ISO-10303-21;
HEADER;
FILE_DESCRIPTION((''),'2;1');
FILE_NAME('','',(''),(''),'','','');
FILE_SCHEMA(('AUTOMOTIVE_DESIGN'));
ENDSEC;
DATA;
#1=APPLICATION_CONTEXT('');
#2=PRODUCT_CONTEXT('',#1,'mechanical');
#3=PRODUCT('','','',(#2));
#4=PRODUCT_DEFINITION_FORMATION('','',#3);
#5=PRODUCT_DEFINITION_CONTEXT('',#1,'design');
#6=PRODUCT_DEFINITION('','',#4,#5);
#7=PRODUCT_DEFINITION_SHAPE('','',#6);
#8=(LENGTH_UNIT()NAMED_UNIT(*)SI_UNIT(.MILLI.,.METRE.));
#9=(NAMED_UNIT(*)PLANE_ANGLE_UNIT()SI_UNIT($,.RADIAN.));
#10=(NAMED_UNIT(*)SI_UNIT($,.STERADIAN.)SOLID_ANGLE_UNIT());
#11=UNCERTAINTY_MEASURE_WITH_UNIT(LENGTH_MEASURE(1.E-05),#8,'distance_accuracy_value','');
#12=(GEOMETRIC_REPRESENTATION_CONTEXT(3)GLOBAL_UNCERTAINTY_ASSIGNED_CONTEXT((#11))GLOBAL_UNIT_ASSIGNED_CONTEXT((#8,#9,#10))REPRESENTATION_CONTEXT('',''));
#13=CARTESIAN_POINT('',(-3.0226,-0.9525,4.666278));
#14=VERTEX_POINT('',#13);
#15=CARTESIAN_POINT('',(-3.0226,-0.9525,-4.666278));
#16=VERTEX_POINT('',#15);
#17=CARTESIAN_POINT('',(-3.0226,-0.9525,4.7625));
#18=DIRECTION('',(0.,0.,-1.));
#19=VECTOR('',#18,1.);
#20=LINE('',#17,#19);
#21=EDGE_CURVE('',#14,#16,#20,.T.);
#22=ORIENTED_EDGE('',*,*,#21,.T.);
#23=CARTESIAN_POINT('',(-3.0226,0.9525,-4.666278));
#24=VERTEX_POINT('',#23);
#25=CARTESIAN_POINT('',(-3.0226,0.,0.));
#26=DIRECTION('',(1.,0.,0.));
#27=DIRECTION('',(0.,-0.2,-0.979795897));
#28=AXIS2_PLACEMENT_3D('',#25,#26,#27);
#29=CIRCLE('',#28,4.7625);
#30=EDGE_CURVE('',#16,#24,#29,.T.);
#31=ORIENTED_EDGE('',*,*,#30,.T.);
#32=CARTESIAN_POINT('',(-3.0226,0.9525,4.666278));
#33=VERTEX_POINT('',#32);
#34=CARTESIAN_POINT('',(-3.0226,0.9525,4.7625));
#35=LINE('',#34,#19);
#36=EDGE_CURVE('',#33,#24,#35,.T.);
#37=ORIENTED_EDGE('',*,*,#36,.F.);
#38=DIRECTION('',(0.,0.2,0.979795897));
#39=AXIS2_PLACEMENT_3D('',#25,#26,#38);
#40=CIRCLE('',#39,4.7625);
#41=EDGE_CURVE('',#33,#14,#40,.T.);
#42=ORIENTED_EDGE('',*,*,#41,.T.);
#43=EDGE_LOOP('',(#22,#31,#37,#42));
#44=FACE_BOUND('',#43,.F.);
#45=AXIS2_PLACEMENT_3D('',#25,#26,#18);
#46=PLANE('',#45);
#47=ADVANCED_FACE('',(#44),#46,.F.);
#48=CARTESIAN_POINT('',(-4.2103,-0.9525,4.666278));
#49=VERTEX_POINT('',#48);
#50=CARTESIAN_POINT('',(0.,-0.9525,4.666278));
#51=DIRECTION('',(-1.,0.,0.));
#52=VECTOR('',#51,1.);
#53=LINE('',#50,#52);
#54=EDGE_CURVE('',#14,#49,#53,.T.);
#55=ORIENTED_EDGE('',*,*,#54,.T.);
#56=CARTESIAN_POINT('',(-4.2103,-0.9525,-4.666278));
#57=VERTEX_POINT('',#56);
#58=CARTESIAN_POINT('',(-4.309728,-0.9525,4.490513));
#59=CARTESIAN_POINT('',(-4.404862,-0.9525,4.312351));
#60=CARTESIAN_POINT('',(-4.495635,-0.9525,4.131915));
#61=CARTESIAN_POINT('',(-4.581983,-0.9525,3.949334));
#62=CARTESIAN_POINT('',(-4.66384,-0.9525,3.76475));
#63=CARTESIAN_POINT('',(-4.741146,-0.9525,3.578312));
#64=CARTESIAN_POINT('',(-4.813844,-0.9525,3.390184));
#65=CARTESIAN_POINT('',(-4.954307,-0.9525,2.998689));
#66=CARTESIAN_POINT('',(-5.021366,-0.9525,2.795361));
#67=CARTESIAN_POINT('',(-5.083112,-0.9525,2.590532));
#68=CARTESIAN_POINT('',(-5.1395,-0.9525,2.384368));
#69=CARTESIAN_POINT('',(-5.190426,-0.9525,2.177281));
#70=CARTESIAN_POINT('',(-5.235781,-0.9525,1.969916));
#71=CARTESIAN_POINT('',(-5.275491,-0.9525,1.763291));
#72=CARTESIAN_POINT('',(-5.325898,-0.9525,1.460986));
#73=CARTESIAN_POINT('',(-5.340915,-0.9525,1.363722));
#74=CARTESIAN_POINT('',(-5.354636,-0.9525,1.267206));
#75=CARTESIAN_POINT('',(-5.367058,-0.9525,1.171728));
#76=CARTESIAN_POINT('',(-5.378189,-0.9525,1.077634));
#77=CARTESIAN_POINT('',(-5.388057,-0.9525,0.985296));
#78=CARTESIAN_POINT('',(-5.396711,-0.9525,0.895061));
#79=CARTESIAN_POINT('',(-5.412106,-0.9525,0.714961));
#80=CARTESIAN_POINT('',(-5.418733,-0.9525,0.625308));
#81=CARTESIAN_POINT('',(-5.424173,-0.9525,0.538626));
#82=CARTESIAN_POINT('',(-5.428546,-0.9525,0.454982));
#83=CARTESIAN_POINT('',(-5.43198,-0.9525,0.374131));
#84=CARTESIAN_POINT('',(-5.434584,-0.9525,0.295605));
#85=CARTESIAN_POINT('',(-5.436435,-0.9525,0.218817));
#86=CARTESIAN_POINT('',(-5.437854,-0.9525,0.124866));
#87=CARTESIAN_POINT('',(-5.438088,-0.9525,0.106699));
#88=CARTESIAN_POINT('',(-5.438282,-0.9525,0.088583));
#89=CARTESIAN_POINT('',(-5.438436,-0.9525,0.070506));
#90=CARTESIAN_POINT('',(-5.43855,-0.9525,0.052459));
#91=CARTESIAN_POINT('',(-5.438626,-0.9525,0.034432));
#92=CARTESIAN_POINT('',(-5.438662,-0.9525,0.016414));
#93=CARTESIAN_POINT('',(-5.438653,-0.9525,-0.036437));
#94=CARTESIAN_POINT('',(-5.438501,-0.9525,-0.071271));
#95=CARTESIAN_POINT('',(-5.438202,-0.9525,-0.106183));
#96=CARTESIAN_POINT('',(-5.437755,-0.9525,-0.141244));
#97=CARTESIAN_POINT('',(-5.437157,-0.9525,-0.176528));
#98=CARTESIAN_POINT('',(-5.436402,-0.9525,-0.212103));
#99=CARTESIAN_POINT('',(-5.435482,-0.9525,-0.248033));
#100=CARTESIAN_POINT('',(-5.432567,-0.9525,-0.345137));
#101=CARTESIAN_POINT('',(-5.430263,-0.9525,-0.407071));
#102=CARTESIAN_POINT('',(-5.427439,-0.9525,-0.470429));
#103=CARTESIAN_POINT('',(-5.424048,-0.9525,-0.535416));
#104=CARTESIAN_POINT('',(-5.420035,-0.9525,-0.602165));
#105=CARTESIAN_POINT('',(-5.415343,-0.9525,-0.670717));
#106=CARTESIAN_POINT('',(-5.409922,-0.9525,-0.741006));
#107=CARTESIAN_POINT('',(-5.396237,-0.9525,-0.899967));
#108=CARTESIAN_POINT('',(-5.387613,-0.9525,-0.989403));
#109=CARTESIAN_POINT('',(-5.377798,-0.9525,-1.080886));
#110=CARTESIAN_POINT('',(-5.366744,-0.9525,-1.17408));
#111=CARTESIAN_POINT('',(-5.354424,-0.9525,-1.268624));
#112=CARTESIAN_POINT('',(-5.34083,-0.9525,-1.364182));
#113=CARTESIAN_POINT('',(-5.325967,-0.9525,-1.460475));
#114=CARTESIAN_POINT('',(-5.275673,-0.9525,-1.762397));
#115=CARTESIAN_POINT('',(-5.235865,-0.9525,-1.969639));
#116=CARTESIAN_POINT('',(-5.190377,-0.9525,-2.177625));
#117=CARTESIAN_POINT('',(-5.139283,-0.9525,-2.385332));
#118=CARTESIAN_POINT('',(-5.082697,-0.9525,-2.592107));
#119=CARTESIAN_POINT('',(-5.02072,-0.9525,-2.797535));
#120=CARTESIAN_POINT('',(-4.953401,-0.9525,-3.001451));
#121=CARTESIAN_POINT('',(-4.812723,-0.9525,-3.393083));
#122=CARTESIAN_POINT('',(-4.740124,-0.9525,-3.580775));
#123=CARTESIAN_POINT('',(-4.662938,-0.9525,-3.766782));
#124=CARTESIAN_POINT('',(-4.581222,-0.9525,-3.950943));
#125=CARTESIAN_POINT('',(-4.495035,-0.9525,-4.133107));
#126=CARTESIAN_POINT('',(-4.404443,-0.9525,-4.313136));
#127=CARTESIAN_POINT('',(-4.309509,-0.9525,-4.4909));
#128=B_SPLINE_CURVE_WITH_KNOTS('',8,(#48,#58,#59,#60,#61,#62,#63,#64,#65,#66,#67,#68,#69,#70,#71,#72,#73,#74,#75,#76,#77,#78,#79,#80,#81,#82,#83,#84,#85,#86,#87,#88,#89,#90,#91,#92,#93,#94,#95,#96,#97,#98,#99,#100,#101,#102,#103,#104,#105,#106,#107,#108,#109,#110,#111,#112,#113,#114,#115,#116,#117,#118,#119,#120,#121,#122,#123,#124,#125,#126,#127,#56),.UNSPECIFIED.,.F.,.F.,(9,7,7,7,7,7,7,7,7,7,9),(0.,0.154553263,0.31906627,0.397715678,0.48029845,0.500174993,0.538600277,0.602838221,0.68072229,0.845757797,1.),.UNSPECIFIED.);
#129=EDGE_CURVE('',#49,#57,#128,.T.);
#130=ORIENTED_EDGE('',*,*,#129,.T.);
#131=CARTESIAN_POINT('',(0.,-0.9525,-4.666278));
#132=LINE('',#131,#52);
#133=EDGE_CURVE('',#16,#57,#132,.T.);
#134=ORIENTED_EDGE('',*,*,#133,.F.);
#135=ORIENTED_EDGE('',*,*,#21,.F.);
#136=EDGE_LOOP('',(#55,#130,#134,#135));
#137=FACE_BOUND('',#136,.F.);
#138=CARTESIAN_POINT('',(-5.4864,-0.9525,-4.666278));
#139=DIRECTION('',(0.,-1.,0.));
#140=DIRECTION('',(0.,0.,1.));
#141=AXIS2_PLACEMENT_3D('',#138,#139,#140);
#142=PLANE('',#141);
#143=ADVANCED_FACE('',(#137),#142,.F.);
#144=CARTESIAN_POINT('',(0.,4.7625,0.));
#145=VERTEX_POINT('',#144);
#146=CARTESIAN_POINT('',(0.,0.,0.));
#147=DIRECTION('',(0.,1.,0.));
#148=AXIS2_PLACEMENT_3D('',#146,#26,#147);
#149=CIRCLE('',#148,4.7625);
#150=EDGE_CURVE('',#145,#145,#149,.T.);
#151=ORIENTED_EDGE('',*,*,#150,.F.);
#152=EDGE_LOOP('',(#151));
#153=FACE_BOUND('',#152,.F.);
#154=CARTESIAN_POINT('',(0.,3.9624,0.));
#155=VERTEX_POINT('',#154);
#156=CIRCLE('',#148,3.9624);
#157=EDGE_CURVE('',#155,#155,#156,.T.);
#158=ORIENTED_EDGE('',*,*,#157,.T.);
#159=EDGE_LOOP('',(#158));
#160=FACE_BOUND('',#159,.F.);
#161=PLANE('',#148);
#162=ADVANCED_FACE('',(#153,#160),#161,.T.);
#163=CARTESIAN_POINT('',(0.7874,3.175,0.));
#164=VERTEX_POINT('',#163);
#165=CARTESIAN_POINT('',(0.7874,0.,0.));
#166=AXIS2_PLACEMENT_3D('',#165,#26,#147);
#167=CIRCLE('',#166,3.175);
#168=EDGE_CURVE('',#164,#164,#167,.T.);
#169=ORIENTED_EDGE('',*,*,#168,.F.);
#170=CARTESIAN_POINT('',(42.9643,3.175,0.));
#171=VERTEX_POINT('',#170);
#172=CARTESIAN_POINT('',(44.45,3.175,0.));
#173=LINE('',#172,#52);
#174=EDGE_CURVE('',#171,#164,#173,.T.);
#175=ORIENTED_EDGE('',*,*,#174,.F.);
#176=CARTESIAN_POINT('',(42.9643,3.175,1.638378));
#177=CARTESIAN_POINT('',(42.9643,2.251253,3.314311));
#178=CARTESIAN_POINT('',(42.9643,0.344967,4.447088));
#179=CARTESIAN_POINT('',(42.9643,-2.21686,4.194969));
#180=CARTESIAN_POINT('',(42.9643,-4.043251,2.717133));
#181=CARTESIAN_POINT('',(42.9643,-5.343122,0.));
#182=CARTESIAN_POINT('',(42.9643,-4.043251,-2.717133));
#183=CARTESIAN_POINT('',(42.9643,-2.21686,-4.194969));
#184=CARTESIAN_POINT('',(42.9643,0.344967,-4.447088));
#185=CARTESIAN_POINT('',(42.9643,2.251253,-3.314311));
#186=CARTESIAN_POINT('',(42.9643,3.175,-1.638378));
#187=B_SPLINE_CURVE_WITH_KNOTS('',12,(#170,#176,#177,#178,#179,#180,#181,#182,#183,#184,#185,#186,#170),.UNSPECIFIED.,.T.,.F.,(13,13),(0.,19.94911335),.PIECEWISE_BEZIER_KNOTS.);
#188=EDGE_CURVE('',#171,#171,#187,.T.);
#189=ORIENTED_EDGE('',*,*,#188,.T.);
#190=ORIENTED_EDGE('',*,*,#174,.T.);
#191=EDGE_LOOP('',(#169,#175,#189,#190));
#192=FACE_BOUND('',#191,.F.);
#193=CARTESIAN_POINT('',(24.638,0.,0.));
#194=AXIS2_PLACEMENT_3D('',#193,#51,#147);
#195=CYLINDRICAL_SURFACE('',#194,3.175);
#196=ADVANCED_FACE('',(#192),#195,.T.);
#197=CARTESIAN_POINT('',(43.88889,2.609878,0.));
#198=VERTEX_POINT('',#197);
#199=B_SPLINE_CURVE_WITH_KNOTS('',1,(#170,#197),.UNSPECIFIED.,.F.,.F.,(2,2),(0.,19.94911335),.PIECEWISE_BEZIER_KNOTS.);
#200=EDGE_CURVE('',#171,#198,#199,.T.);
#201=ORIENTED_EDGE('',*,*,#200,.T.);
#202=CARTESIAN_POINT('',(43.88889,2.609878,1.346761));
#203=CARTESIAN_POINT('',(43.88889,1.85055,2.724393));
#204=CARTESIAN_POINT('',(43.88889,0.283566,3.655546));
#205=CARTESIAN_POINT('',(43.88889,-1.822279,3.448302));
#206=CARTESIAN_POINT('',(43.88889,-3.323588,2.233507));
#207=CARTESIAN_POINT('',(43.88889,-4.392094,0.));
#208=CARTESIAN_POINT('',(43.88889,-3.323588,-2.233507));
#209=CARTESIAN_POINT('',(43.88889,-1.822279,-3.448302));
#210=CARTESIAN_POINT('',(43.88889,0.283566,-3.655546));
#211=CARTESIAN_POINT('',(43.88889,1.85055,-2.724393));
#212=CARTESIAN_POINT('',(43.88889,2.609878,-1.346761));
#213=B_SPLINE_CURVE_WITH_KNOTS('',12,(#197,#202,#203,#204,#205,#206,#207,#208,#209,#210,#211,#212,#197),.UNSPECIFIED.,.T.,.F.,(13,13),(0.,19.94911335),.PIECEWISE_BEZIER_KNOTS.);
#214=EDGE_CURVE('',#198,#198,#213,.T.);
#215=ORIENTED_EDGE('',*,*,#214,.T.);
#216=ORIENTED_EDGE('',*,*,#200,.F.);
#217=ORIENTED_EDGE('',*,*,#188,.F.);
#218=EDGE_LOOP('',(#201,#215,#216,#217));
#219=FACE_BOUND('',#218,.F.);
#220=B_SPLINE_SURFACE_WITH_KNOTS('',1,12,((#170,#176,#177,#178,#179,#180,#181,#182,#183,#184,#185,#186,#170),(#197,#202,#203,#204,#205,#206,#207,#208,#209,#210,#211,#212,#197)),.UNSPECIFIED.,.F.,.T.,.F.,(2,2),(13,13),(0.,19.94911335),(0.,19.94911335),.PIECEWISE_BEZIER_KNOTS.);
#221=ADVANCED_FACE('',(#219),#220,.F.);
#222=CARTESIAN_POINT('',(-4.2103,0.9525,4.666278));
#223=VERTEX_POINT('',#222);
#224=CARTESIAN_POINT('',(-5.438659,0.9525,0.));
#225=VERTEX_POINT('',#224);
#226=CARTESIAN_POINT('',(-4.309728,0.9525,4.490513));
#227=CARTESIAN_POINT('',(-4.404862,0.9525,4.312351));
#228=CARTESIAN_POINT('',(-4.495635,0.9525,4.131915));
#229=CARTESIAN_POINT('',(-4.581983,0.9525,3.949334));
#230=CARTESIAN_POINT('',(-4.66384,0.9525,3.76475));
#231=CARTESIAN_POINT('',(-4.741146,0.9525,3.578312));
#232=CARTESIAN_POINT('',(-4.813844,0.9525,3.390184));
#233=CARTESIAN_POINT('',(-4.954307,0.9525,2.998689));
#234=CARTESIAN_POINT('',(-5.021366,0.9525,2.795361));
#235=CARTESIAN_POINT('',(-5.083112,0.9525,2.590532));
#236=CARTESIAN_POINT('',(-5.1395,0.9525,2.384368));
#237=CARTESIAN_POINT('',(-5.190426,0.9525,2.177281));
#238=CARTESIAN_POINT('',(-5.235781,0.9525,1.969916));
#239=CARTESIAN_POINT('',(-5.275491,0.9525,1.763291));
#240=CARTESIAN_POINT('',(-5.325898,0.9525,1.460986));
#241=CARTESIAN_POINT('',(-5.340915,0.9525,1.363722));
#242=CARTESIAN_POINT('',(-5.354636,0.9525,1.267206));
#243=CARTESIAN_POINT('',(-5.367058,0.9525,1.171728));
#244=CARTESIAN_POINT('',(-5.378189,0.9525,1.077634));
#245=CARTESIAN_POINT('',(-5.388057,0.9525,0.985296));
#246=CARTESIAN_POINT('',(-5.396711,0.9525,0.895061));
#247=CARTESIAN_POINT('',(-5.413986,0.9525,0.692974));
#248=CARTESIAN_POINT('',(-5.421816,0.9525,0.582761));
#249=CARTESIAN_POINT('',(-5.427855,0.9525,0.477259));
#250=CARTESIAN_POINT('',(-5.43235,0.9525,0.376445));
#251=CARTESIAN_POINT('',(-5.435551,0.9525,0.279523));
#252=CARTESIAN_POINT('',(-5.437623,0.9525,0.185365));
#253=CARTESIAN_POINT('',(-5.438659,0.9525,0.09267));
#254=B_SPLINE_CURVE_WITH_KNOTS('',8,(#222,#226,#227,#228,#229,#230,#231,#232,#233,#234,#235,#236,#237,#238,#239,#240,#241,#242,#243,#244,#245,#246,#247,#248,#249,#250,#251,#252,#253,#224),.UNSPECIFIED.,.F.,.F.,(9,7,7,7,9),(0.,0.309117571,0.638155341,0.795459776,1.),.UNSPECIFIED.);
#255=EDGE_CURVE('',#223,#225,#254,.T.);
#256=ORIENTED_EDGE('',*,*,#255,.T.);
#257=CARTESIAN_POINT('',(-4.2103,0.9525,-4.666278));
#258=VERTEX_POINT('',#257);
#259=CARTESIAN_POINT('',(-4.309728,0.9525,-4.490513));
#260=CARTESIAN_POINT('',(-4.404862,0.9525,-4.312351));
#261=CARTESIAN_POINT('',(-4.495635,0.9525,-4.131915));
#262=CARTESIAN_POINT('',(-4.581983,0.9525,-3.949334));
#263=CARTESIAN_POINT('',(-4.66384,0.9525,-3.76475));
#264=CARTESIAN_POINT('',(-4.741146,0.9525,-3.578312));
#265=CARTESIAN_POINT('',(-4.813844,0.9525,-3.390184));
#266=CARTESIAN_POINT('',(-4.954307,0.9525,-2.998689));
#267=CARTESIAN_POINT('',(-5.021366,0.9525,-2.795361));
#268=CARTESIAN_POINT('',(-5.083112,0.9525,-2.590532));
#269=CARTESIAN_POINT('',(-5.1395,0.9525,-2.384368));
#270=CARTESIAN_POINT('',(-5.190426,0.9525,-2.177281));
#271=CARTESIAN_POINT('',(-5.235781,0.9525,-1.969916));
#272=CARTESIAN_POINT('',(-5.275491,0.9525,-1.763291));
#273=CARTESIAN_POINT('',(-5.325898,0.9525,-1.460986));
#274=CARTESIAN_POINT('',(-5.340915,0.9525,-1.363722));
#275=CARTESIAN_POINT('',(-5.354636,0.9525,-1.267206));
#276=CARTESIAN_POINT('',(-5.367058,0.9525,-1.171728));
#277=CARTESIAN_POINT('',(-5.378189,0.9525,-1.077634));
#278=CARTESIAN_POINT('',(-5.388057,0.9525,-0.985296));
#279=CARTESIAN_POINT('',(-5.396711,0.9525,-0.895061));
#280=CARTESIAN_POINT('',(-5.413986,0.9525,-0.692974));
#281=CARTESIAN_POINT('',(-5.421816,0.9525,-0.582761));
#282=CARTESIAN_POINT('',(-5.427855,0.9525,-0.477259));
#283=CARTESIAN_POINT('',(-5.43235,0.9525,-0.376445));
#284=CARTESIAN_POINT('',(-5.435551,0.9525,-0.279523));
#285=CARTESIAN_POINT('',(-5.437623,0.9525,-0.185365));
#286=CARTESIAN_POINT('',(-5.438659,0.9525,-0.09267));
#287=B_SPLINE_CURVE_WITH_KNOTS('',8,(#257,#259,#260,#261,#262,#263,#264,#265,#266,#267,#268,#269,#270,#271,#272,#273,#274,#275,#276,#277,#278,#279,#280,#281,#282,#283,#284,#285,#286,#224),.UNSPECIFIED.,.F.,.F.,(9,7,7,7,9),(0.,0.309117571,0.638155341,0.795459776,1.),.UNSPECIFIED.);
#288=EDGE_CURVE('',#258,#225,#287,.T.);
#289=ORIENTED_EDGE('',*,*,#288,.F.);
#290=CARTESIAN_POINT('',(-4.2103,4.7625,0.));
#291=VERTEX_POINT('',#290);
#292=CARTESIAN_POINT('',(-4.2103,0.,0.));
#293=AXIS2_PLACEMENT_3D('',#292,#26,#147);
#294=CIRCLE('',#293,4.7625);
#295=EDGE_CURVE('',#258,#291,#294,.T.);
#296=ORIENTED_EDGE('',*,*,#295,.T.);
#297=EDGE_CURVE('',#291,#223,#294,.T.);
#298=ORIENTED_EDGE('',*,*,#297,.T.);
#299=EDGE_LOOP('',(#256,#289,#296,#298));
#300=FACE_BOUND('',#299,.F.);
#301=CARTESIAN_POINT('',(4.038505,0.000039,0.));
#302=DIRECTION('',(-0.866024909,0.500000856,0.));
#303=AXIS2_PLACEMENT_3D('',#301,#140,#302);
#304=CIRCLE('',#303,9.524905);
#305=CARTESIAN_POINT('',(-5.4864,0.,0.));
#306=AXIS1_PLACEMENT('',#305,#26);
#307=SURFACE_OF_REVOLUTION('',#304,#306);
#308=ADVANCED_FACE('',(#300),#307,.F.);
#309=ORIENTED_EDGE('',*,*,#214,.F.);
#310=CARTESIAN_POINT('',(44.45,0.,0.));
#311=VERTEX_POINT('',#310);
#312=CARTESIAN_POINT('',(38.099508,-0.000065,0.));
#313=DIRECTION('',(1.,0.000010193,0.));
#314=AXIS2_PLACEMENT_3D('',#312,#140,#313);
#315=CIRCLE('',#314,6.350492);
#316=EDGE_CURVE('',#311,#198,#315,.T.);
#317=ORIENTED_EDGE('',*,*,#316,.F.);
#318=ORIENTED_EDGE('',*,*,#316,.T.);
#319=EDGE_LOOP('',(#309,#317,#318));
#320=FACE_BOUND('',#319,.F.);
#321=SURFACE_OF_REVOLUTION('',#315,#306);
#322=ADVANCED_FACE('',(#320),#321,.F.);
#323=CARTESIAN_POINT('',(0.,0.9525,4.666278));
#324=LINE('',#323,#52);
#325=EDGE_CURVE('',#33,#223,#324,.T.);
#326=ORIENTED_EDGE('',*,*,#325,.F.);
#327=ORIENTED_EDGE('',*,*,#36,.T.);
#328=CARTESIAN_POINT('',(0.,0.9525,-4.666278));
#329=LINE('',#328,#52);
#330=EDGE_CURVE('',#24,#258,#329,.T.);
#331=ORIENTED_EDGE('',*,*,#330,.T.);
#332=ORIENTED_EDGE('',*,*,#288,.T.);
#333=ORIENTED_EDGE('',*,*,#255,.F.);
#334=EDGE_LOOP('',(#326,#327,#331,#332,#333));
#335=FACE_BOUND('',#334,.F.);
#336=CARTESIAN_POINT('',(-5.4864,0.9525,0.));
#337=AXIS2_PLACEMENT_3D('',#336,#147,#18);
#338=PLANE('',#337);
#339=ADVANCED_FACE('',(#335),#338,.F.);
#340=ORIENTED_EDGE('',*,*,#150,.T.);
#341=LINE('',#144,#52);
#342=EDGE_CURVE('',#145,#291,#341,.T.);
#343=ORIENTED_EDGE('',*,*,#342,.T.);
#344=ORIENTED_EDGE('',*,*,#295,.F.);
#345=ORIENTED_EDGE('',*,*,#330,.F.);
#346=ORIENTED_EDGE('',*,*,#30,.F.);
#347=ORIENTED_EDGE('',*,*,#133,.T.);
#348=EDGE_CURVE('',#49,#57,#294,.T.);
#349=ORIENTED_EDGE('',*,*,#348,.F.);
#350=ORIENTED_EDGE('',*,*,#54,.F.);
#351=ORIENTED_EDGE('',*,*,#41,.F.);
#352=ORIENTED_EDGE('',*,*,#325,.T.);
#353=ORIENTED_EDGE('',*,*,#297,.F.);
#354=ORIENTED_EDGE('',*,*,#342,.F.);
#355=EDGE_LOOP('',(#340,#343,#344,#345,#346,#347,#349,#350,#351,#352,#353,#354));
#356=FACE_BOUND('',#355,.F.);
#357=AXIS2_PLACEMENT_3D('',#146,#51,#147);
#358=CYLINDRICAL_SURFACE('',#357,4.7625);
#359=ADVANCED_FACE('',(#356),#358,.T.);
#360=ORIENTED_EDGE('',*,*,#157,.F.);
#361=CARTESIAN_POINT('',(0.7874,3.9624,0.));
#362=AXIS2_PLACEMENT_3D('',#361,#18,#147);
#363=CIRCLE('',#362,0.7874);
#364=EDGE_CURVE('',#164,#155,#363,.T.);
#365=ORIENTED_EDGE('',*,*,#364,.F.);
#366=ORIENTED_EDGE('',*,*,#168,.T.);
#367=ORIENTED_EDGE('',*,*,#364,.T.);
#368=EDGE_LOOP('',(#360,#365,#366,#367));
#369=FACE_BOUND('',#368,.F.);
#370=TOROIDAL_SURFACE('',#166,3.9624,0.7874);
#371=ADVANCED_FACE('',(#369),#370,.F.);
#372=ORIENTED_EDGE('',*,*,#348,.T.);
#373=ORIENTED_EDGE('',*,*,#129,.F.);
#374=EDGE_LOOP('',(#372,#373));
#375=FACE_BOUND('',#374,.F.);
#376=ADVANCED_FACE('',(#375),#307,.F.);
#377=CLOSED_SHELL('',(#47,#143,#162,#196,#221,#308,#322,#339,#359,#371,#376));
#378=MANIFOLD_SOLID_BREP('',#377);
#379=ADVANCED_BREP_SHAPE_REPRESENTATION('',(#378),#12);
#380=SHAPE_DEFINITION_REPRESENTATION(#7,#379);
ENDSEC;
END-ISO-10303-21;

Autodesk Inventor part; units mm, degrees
ref_plane "YZ Plane" through (0, 0, 0) normal (1, 0, 0) x (0, 1, 0)
sketch "Sketch1" plane through (0, 0, 0) normal (0, 0, 1) x (1, 0, 0)
  line L0 (-5.4864, 0) -> (44.45, 0)
  line L1 (44.45, 0) -> (44.45, 3.175)
  line L2 (44.45, 3.175) -> (25.4, 3.175)
  line L3 (25.4, 3.175) -> (24.638, 3.175)
  line L4 (24.638, 3.175) -> (0, 3.175)
  line L5 (0, 3.175) -> (0, 4.7625)
  line L6 (-15.8499, 0) -> (54.5, 0) projected
  line L7 (0, -0.9693) -> (0, 5.8158) projected
  line L8 (0, 4.7625) -> (-4.2103, 4.7625)
  arc A0 (-4.2103, 4.7625) -> (-5.4864, 0) centre (4.0386, 0) ccw
  line L9 (25.4, 3.175) -> (0, 3.175) construction
  dimension "d0" = 44.45
  dimension "d1" = 19.05
  dimension "d2" = 0.762
  dimension "d3" = 5.4864
  dimension "d4" = 6.35
  dimension "d5" = 6.35
  dimension "d9" = 9.525
  dimension "d10" = 0
  dimension "d13" = 9.525
revolve "Body" add sketch "Sketch1" angle 360 about axis through (-5.4864, 0, 0) along (1, 0, 0)
ref_plane "IDS_WORKPLANE{1}" through (-5.4864, 0, 0) normal (1, 0, 0) x (0, 0, -1)
sketch "Sketch2" plane through (-5.4864, 0, 0) normal (1, 0, 0) x (0, 0, -1)
  circle A0 centre (0, 0) radius 4.7625 projected
  line L0 (0, -6.6675) -> (0, 6.6675) projected
  line L1 (6.6675, 0) -> (-6.6675, 0) projected
  line L2 (-4.7625, 0.9525) -> (4.7625, 0.9525)
  line L3 (4.7625, 0.9525) -> (4.7625, -0.9525)
  line L4 (4.7625, -0.9525) -> (-4.7625, -0.9525)
  line L5 (-4.7625, -0.9525) -> (-4.7625, 0.9525)
  line L6 (-4.7625, 0) -> (4.7625, 0) construction
  line L7 (0, 0.9525) -> (0, -0.9525) construction
  dimension "d15" = 1.905
extrude "Slot" cut sketch "Sketch2" along normal blind 2.4638 contours L1 L0 L2 A0 | L3 L4 A0 | A0 L4 L0 L1 | A0 L2 L3 | L1 A0 L2 L0 | L0 L4 A0 L1 | L5 L2 A0 | A0 L4 L5
thread "Thread" size "1/4-20 UNC" class "2A" standard "ANSI Unified Screw Threads" length 19.05
sketch "Sketch3" plane through (0, 0, 0) normal (0, 0, 1) x (1, 0, 0)
  line L0 (44.45, 0) -> (44.45, 3.175) projected
  line L1 (44.45, 3.175) -> (25.4, 3.175) projected
  line L2 (-5.4864, 0) -> (44.45, 0) projected
  arc A0 (44.45, 0) -> (43.5993, 3.175) centre (38.1, 0) ccw
  line L3 (44.45, -3.175) -> (44.45, 3.175) projected
  line L4 (43.5993, 3.175) -> (43.5993, 0)
  line L5 (43.5993, 0) -> (44.45, 0)
  dimension "d40" = 6.35
revolve "Fillet1" cut sketch "Sketch3" angle 360 about axis through (-5.4864, 0, 0) along (1, 0, 0) contours A0 L1 L0
chamfer "Chamfer" distance 0.635 angle 45 1 edges at (43.5993, -3.175, 0)
ref_plane "Work Plane2" through (41.275, 0, 0) normal (0, 0, -1) x (1, 0, 0)
fillet "Fillet4" radius 0.7874 1 edges at (0, -3.175, 0)
equation "\"d0\" = NLG"
equation "\"d1\" = GEL"
equation "\"d2\" = GAL"
equation "\"d3\" = KOH"
equation "\"d4\" = GD"
equation "\"d5\" = BDM"
equation "\"d9\" = KOD"
equation "\"d13\" = KR"
equation "\"d15\" = SBR"
equation "\"d16\" = STI"
equation "\"d40\" = GD"
equation "\"d46\" = R"
equation "\"d11\" = GEL"
equation "\"d43\" = 0.5 * RR"
equation "\"GD\" = NND"
equation "\"NLG\" = 44.45"
equation "\"GEL\" = 19.05"
equation "\"KOD\" = 9.525"
equation "\"KOH\" = 5.4864"
equation "\"GAL\" = 0.762"
equation "\"BDM\" = NND"
equation "\"SBR\" = 1.905"
equation "\"STI\" = 2.4638"
equation "\"KEWI\" = 0"
equation "\"KR\" = KOD"
equation "\"d14\" = -KOH"
equation "\"R\" = 0.7874"
equation "\"THREADDIA\" = 6.35"
equation "\"TOA\" = 30deg"
equation "\"KOH1\" = 4.3688"
equation "\"NND\" = 6.35"
equation "\"GD1\" = 4.8387"
equation "\"THREADDESC\" = 1.2345"
equation "\"RR\" = 1.27"
properties part number "ANSI B18.6.2 - 1/4-20 UNC - 1.75, SFHCSI" material "Steel, Mild"
